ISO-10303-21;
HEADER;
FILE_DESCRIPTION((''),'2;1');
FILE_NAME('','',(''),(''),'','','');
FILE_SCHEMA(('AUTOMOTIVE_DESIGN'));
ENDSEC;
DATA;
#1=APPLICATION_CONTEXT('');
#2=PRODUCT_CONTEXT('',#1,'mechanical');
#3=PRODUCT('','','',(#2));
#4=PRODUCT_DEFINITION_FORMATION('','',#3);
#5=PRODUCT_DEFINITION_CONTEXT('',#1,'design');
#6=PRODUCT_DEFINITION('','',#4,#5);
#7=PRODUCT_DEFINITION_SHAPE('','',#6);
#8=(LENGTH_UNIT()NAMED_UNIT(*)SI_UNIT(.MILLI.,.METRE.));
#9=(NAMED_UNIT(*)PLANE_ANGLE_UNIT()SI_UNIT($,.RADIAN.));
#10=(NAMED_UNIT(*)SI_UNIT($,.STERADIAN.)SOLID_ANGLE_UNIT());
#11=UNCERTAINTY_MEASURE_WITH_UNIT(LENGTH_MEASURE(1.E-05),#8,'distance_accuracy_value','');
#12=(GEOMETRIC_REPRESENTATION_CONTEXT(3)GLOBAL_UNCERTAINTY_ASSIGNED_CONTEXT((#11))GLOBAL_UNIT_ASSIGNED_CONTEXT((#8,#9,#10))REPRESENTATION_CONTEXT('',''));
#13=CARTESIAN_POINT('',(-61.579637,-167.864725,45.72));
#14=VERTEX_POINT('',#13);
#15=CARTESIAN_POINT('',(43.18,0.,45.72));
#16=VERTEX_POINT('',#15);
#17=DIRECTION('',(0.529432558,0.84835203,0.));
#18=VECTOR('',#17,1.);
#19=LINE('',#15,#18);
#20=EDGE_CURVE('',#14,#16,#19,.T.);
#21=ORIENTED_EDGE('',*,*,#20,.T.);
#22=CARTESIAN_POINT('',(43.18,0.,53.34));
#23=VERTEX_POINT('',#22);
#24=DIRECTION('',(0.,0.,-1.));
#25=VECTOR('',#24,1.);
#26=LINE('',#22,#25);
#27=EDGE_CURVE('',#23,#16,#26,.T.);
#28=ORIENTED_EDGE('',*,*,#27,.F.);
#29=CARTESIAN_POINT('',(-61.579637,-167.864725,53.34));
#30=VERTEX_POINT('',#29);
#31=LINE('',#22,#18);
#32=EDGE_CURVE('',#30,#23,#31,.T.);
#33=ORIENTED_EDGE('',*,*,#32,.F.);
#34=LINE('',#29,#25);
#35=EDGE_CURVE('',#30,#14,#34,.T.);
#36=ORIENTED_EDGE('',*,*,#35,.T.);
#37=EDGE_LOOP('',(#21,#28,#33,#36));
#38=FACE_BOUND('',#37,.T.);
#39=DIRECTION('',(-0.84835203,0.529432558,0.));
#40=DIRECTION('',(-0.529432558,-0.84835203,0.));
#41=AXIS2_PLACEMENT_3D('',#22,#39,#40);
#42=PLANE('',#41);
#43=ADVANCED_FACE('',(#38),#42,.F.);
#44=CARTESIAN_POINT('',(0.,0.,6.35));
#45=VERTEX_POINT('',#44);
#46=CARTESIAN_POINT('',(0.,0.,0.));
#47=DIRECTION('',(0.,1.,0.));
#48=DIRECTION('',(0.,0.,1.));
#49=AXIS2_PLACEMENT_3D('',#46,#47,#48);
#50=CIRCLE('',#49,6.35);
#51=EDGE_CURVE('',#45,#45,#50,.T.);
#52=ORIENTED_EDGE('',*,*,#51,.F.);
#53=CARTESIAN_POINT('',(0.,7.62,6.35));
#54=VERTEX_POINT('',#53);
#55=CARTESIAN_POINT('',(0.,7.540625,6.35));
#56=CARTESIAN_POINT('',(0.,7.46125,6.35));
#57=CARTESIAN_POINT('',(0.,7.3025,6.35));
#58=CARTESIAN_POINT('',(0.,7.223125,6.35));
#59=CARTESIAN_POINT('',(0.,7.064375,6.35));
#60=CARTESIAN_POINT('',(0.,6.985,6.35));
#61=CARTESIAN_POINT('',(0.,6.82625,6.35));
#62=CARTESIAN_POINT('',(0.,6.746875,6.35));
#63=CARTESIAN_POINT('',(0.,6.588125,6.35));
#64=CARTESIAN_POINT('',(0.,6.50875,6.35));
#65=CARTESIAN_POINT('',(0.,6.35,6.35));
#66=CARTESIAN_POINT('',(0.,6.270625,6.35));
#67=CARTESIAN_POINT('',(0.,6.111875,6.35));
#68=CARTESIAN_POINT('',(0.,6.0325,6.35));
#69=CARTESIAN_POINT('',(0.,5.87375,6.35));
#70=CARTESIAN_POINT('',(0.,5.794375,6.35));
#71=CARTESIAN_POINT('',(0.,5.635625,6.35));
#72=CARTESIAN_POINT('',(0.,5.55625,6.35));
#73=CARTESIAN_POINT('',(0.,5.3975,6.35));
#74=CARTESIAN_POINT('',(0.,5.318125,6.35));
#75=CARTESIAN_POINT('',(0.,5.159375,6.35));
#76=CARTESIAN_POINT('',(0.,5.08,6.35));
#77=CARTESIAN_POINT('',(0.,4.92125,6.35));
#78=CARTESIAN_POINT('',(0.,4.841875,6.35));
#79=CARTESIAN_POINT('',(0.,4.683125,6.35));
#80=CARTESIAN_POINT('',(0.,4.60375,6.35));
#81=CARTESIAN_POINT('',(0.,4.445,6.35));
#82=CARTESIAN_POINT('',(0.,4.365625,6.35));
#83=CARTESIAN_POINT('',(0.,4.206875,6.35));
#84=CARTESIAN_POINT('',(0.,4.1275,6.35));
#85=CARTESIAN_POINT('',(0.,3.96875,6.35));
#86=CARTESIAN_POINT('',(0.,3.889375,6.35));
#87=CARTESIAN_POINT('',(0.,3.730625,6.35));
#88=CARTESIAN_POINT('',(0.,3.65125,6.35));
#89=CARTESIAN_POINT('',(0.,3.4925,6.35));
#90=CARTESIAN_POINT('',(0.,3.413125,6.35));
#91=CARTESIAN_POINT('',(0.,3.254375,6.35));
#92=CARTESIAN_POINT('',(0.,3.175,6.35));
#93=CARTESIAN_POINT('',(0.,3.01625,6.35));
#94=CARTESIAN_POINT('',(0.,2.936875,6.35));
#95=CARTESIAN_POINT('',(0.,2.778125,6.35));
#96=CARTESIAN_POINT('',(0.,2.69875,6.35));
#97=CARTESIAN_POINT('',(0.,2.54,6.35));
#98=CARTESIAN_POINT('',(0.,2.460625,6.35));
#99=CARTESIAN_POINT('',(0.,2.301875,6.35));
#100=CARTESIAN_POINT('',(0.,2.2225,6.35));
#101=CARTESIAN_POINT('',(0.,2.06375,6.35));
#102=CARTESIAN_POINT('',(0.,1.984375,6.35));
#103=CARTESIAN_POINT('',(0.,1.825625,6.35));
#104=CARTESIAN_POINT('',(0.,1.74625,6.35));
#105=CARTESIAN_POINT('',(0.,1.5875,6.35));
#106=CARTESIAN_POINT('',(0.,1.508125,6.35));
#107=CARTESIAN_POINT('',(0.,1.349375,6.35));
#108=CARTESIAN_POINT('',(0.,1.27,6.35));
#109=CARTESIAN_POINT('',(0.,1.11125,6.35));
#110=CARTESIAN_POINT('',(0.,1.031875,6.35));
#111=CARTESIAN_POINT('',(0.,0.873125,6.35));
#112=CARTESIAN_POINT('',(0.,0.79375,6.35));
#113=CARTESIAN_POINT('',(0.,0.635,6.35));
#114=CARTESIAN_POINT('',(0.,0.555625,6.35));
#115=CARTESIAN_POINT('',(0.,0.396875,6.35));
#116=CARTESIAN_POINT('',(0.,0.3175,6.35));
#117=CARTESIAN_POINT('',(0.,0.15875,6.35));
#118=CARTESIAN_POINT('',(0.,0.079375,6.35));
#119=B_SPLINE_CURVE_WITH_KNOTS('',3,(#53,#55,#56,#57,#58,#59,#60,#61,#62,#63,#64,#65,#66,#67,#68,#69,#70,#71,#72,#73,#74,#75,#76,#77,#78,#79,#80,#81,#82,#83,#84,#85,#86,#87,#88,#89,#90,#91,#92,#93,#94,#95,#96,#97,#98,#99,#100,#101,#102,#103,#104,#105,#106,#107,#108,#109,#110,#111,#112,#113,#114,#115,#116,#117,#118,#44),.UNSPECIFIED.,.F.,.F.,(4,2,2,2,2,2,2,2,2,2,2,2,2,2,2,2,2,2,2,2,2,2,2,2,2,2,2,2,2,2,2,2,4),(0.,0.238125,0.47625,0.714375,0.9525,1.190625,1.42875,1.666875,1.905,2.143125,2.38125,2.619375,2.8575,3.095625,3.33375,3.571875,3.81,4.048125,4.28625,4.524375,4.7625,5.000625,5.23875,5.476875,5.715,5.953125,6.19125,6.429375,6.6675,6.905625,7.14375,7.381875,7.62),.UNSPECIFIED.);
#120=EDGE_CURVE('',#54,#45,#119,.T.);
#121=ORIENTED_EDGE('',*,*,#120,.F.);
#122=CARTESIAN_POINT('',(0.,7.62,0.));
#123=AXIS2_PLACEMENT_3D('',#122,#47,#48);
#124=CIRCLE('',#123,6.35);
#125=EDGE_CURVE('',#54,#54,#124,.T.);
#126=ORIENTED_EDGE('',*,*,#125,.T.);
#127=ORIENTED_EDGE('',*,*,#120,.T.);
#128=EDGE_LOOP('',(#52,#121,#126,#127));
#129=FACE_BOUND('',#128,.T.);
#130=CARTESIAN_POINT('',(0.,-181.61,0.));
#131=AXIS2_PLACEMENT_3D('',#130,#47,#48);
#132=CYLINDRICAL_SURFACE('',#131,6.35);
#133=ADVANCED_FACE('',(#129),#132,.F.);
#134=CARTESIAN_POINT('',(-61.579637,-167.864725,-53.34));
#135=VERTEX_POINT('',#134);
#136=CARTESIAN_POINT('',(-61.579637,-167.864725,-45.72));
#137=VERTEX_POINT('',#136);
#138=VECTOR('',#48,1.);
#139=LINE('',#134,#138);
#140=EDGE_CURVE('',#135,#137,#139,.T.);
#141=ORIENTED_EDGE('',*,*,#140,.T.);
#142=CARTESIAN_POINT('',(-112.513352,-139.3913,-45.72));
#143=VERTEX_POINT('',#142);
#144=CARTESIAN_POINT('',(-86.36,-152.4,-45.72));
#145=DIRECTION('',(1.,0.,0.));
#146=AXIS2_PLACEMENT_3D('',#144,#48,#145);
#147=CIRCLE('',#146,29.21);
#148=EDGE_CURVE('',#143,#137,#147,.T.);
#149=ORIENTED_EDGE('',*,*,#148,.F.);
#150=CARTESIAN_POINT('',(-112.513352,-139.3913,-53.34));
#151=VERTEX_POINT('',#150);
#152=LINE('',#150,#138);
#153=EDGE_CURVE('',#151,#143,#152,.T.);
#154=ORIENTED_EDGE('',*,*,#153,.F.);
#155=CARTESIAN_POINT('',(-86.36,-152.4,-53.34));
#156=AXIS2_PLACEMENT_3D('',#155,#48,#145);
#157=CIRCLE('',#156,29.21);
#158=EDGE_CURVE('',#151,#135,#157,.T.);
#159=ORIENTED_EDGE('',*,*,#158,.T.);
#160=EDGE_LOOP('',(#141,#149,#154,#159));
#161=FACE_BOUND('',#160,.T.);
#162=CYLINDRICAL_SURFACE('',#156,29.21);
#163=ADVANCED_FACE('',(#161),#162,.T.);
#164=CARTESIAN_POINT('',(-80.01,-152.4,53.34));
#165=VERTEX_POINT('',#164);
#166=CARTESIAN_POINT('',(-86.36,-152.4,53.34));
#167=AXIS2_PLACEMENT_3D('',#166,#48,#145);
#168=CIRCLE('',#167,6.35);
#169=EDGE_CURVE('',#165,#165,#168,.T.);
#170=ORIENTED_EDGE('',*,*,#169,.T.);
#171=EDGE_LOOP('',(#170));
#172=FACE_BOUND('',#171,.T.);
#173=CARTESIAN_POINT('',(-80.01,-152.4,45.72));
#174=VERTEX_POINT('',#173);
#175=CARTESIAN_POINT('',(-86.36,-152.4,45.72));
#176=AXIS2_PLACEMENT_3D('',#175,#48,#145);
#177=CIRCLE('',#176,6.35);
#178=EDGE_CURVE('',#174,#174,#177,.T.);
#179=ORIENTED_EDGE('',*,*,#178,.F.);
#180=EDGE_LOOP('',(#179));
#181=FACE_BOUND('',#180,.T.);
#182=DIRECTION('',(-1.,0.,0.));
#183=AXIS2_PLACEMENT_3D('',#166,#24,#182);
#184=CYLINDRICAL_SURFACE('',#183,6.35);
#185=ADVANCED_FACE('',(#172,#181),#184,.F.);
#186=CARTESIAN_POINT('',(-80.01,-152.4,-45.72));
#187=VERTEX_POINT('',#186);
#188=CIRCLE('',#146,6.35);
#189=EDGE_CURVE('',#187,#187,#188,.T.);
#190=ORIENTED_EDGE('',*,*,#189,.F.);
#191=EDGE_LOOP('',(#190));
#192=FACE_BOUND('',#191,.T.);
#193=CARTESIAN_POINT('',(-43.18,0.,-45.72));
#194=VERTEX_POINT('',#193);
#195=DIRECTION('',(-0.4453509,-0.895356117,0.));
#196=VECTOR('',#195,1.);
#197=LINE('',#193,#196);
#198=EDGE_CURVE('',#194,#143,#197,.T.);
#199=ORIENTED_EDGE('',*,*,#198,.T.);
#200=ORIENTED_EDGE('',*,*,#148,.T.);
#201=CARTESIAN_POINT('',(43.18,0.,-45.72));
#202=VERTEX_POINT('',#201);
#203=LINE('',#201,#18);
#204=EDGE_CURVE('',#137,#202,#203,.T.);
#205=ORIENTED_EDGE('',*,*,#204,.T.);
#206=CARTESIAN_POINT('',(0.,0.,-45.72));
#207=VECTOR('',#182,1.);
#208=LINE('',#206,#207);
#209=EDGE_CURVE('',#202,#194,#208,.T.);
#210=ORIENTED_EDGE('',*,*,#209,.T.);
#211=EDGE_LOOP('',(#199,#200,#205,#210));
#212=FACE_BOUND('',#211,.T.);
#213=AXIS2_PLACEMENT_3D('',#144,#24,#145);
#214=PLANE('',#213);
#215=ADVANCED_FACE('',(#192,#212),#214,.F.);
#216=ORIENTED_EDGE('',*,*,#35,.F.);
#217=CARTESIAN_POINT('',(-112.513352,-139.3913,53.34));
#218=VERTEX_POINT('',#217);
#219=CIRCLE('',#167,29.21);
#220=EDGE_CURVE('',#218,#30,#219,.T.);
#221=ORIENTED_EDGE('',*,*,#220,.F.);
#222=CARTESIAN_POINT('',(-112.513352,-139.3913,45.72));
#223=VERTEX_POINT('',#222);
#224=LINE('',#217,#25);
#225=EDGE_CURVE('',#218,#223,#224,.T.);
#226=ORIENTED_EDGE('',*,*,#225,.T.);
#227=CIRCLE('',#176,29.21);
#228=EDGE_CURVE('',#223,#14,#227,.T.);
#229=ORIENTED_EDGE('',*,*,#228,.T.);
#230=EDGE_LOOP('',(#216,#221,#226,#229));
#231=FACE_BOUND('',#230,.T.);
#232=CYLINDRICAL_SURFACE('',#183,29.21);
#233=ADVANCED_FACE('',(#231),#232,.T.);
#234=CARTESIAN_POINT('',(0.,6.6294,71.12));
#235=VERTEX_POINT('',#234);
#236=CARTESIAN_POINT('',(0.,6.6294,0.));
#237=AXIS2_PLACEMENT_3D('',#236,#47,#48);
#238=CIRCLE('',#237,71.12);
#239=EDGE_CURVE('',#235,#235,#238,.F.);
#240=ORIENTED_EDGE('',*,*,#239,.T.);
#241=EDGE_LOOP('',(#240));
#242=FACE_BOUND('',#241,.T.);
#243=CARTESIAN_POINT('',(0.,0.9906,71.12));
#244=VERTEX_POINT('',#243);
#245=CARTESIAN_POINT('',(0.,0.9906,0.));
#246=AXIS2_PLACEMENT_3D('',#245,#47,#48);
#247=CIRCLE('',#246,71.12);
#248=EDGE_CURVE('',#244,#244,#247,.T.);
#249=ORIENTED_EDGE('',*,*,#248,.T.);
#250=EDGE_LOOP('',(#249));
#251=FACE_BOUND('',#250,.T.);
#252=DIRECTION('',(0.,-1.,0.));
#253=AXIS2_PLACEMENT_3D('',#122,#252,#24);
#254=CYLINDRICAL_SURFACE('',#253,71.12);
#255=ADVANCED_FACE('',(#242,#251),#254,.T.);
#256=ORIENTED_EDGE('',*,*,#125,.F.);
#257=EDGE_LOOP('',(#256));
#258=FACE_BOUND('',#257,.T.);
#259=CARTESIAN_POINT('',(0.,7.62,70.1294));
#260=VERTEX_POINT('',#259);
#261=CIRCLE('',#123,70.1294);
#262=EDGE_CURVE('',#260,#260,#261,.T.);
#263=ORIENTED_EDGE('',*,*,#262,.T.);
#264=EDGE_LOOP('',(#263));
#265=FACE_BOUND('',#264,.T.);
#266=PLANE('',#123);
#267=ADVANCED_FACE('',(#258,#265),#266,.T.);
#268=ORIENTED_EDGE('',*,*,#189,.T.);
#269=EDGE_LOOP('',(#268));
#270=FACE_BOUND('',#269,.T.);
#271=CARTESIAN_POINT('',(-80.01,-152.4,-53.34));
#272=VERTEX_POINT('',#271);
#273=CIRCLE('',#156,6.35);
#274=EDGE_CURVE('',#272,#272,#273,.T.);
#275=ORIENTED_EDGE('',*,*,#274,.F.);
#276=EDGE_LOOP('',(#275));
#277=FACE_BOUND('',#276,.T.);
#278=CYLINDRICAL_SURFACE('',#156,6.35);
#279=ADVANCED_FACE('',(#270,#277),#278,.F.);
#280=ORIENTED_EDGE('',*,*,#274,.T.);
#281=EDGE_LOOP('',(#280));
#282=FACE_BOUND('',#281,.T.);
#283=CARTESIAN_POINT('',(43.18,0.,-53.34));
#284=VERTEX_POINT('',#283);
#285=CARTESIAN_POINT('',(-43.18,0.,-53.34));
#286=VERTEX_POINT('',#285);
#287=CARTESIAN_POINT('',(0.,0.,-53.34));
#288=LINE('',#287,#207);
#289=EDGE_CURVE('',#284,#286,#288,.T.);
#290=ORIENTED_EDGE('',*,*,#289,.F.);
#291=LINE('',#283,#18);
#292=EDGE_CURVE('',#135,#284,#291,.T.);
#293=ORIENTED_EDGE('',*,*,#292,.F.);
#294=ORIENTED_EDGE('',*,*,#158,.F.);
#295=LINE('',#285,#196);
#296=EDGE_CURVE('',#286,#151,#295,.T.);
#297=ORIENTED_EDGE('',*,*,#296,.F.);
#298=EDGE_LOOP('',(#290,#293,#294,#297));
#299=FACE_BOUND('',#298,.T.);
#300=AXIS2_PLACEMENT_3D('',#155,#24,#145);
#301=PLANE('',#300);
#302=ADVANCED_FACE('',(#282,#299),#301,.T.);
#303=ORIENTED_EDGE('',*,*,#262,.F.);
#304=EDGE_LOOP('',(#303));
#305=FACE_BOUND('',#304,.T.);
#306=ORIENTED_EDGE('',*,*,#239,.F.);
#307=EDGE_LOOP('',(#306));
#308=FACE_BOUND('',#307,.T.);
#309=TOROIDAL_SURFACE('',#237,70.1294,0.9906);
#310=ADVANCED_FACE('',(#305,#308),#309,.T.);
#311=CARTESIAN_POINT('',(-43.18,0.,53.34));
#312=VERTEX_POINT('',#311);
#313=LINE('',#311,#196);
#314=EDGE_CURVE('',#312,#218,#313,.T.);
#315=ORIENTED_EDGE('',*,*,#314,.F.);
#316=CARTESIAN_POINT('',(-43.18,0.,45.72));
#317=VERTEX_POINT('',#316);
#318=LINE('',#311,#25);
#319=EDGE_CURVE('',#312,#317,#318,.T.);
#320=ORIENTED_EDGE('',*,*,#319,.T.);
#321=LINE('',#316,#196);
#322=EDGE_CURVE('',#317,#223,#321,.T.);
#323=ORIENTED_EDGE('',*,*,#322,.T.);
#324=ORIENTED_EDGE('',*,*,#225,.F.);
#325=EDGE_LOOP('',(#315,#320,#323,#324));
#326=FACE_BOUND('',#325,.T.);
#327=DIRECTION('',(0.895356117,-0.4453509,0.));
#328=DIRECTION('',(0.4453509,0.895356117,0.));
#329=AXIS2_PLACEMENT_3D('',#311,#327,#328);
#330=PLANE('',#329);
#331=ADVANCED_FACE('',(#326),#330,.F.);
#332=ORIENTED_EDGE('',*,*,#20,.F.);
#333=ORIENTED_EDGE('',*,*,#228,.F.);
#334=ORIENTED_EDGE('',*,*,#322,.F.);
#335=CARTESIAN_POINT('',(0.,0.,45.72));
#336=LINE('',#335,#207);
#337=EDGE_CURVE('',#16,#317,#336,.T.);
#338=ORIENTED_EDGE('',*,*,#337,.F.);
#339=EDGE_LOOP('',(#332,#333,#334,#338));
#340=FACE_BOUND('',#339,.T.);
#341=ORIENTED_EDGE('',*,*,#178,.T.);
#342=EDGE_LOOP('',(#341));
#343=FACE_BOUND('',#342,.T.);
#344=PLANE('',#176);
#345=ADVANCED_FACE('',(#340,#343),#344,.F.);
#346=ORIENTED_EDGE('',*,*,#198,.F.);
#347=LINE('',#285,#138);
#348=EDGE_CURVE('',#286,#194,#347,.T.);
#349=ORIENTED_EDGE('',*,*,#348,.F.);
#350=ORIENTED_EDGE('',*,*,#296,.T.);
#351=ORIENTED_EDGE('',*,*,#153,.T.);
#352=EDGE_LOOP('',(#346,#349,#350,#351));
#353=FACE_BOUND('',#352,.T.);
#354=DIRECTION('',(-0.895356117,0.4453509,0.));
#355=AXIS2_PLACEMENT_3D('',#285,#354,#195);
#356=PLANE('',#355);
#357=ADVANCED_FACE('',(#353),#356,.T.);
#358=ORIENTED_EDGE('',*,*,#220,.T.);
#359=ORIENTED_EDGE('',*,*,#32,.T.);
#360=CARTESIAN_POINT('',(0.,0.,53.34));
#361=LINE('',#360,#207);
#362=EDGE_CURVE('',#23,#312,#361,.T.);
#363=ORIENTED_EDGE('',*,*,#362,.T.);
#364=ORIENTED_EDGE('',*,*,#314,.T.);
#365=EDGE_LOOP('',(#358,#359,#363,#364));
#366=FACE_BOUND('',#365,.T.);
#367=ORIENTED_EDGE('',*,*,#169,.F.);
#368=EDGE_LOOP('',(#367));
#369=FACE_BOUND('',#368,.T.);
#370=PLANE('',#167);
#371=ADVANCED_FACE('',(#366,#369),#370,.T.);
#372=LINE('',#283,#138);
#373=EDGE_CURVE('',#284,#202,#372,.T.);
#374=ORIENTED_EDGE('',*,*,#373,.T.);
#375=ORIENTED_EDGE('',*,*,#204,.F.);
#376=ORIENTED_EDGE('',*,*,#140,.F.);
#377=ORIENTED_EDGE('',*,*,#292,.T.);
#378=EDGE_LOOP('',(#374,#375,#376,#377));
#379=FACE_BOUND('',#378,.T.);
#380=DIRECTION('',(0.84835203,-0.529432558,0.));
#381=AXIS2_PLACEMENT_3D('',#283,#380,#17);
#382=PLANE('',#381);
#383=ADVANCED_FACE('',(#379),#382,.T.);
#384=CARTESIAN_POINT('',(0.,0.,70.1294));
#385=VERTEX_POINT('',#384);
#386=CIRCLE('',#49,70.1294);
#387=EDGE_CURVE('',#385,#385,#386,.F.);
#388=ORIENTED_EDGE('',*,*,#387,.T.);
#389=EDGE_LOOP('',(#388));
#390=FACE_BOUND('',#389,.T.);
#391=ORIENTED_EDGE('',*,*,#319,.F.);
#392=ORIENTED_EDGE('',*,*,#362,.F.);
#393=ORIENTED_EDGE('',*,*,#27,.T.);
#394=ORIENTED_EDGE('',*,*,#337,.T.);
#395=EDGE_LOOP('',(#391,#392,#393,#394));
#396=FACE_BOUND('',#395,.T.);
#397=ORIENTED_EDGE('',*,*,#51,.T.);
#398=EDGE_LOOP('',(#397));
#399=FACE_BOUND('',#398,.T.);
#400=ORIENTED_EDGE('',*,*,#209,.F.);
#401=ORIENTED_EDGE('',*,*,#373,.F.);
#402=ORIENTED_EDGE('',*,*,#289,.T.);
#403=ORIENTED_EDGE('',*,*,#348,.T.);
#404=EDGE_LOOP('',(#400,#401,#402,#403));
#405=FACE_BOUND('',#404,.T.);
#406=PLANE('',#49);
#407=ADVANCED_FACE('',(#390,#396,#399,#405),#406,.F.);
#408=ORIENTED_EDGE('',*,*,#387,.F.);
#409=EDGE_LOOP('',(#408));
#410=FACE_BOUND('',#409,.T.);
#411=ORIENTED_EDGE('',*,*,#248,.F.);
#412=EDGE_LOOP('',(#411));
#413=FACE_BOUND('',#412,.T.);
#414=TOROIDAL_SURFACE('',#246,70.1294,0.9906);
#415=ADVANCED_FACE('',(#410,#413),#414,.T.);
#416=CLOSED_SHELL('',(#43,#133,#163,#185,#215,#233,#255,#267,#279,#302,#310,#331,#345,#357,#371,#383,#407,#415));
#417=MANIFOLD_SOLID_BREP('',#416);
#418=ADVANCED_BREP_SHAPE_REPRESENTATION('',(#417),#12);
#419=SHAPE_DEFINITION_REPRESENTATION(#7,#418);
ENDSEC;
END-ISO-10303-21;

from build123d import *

# Parameters (mm, degrees)
SKETCH1_R           = 71.12
BOSS_EXTRUDE1_DEPTH = 7.62
FILLET1_R           = 0.9906
SKETCH3_R           = 6.35
BOSS_EXTRUDE2_DEPTH = 7.62
SKETCH5_R           = 6.35
CUT_EXTRUDE1_DEPTH  = 233.857192717


with BuildPart() as part:
    # Sketch1 → Boss-Extrude1 (new body)
    with BuildSketch(Plane(origin=(0, 0, 0), x_dir=(1, 0, 0), z_dir=(0, 1, 0))):
        with Locations(Location((0, 0, 0), (0, 0, 270))):
            Circle(SKETCH1_R)
    extrude(amount=BOSS_EXTRUDE1_DEPTH)

    # Fillet1
    fillet1_edges = [part.edges().sort_by_distance(p)[0] for p in [
        (0, 0, -71.12),
        (0, 7.62, -71.12),
    ]]
    fillet(fillet1_edges, radius=FILLET1_R)

    # Sketch3 → Boss-Extrude2 (add)
    with BuildSketch(Plane.XY.offset(45.72)):
        with BuildLine():
            Line((0, 0), (43.18, 0))
            Line((43.18, 0), (-61.579637217, -167.864725032))
            ThreePointArc((-61.579637217, -167.864725032), (-100.613254195, -177.896447691), (-112.513352174, -139.391300217))
            Line((-112.513352174, -139.391300217), (-43.18, 0))
            Line((-43.18, 0), (0, 0))
        make_face()
        with Locations((-86.36, -152.4)):
            Circle(SKETCH3_R, mode=Mode.SUBTRACT)
    boss_extrude2 = extrude(amount=BOSS_EXTRUDE2_DEPTH)

    # Mirror1: Boss-Extrude2 across plane
    add(boss_extrude2.mirror(Plane.XY))

    # Sketch5 → Cut-Extrude1 (cut, through all)
    with BuildSketch(Plane(origin=(0, 7.62, 0), x_dir=(1, 0, 0), z_dir=(0, 1, 0))):
        with Locations(Location((0, 0, 0), (0, 0, 270))):
            Circle(SKETCH5_R)
    extrude(amount=-CUT_EXTRUDE1_DEPTH, mode=Mode.SUBTRACT)


solid = part.part
